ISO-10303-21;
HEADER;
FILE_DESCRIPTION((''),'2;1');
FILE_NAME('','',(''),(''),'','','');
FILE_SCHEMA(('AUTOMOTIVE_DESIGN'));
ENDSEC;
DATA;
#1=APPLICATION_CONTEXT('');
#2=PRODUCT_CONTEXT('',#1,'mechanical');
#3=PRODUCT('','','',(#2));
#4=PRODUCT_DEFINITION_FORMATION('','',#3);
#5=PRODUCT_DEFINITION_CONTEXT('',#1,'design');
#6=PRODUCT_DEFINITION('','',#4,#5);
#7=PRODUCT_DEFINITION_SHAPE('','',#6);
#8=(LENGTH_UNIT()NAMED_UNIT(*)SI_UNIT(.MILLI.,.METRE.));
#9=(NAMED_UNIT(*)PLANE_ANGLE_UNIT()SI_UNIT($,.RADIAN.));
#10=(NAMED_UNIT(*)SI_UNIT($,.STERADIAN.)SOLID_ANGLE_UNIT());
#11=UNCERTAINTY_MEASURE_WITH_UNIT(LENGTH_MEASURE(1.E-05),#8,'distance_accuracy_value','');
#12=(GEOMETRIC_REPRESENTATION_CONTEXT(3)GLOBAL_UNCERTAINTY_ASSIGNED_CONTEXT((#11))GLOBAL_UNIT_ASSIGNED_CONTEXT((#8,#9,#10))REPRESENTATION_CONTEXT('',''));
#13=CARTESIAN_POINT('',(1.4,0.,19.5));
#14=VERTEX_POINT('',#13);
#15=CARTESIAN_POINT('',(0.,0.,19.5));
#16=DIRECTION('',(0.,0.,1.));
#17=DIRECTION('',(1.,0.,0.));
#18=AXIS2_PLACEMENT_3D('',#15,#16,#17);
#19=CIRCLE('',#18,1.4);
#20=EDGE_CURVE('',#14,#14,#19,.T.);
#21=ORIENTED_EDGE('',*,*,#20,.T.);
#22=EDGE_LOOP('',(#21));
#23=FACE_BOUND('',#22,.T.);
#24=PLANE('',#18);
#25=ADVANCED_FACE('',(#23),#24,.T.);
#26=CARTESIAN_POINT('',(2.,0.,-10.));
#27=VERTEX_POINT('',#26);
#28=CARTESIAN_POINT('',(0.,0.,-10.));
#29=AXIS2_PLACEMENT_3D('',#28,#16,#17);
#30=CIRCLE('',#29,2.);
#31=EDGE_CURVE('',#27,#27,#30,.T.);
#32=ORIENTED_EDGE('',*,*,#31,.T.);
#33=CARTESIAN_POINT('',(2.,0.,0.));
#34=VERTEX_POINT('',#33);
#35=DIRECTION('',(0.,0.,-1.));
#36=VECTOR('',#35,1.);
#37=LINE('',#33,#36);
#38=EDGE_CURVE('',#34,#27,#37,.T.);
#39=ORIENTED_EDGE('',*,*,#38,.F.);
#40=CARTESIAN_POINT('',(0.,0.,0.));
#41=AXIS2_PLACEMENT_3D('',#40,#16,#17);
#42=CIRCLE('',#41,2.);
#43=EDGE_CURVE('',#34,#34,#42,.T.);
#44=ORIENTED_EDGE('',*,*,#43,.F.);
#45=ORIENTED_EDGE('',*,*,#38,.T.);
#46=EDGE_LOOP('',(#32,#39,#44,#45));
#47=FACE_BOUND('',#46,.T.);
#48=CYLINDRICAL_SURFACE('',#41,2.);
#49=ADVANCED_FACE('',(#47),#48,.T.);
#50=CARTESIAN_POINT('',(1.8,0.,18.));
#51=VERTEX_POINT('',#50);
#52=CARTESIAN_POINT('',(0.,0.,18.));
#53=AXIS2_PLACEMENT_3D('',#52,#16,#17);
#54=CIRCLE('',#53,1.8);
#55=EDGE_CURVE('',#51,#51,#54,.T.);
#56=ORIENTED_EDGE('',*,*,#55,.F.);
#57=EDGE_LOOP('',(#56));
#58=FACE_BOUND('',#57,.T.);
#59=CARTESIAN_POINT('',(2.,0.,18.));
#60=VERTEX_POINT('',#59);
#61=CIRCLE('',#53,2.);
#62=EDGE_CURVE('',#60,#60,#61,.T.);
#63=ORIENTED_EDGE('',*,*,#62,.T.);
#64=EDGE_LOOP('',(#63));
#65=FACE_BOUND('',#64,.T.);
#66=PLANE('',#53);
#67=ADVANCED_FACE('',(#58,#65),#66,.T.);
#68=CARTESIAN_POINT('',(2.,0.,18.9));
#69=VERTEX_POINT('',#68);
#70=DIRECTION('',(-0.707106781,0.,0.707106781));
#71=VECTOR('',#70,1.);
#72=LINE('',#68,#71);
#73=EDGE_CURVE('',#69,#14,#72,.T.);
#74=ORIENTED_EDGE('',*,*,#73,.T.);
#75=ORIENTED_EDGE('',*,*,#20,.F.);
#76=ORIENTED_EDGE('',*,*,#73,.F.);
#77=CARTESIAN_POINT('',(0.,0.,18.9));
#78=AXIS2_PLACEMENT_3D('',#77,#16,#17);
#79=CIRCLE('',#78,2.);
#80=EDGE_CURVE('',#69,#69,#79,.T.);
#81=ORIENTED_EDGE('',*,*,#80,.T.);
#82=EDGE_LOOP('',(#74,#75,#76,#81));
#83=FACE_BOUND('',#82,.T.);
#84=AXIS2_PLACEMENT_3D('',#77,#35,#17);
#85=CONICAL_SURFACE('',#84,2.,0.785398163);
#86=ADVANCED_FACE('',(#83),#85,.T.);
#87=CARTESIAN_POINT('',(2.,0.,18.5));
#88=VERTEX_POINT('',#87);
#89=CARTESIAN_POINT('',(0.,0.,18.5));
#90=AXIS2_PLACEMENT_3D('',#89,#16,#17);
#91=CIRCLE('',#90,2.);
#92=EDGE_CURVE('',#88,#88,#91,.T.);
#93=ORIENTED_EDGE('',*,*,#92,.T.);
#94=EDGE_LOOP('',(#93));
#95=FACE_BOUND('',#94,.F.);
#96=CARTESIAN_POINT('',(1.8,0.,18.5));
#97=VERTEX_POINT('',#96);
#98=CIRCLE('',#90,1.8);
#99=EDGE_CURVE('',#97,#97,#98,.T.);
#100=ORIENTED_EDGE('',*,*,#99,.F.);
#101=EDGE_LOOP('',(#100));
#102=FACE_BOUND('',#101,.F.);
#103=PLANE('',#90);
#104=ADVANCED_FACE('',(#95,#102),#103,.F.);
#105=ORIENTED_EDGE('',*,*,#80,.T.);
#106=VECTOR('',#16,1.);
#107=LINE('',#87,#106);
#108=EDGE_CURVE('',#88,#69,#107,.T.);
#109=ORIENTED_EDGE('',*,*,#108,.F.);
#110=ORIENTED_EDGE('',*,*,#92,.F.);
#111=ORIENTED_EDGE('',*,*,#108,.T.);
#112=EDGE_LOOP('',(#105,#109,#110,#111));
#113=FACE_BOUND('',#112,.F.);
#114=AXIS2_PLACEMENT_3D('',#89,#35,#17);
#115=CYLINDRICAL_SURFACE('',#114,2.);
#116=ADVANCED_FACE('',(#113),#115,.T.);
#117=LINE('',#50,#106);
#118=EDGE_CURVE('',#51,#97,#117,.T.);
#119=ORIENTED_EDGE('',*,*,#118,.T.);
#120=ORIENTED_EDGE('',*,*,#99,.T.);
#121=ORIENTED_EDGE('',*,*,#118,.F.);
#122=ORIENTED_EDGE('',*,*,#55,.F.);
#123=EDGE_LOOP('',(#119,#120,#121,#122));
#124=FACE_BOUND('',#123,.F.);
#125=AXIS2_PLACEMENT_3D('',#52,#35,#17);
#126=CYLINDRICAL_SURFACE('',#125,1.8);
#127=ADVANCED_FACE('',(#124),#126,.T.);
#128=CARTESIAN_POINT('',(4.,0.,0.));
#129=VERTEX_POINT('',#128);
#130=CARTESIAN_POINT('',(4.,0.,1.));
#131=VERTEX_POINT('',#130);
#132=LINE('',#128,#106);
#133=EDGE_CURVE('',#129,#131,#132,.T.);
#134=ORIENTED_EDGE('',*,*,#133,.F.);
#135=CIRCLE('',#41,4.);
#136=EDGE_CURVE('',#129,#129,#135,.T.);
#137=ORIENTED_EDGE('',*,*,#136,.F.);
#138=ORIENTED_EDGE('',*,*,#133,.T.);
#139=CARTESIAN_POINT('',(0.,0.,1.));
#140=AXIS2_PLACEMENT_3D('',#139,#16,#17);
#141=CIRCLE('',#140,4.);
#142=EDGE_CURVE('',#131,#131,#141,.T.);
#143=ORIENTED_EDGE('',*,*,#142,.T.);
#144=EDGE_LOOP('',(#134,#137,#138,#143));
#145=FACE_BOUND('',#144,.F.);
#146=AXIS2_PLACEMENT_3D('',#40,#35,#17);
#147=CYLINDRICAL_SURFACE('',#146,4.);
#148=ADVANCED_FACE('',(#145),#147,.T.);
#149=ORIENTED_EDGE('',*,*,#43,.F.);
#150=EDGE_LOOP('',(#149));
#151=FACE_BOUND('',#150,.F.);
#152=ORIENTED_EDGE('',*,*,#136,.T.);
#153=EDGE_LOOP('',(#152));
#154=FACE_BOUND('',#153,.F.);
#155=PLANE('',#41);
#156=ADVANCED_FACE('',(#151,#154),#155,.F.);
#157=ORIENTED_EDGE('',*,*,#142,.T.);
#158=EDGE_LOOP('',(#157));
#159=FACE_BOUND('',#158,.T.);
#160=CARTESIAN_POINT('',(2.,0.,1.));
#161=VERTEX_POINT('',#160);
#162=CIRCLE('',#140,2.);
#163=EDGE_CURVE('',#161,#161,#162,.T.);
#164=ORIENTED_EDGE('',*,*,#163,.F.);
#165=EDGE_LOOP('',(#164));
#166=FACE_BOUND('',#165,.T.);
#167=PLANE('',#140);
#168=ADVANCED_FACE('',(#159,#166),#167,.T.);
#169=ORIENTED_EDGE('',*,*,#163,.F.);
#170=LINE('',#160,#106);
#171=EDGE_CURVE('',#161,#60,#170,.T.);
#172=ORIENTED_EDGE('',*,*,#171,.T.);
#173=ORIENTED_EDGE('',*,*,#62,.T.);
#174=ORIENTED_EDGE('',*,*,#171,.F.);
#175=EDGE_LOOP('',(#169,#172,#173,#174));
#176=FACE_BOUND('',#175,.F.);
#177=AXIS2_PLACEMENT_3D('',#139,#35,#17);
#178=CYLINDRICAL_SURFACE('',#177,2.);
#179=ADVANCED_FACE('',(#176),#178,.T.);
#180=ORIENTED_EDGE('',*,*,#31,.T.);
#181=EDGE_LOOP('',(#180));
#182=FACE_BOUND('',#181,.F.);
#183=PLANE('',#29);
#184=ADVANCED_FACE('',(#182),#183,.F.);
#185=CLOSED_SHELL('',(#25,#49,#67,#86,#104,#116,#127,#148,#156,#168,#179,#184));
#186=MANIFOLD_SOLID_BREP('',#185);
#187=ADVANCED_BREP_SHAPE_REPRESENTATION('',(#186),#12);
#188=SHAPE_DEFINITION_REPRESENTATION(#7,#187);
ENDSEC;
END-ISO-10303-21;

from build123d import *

# Parameters (mm, degrees)
F0_R     = 2
F1_DEPTH = 10
F2_R     = 4
F3_DEPTH = 1
F4_R     = 2
F5_DEPTH = 17
F6_R     = 1.8
F7_DEPTH = 0.5
F8_R     = 2
F8_R_2   = 1.8
F9_DEPTH = 1
F10_SIZE = 0.6


with BuildPart() as f1:
    # F0 (on Top) → F1 (new body)
    with BuildSketch(Plane.XY):
        Circle(F0_R)
    extrude(amount=-F1_DEPTH)

    # F2 (on Top) → F3 (join)
    with BuildSketch(Plane.XY):
        Circle(F2_R)
    extrude(amount=F3_DEPTH)

    # F4 (on face) → F5 (join)
    with BuildSketch(Plane.XY.offset(1)):
        Circle(F4_R)
    extrude(amount=F5_DEPTH)

    # F6 (on face) → F7 (join)
    with BuildSketch(Plane.XY.offset(18)):
        Circle(F6_R)
    extrude(amount=F7_DEPTH)

    # F8 (on face) → F9 (join)
    with BuildSketch(Plane.XY.offset(18.5)):
        Circle(F8_R)
        Circle(F8_R_2, mode=Mode.SUBTRACT)
        Circle(F8_R_2)
    extrude(amount=F9_DEPTH)

    # F10
    f10_edges = [f1.edges().sort_by_distance(p)[0] for p in [
        (-2, 0, 19.5),
    ]]
    chamfer(f10_edges, length=F10_SIZE)


solid = f1.part
